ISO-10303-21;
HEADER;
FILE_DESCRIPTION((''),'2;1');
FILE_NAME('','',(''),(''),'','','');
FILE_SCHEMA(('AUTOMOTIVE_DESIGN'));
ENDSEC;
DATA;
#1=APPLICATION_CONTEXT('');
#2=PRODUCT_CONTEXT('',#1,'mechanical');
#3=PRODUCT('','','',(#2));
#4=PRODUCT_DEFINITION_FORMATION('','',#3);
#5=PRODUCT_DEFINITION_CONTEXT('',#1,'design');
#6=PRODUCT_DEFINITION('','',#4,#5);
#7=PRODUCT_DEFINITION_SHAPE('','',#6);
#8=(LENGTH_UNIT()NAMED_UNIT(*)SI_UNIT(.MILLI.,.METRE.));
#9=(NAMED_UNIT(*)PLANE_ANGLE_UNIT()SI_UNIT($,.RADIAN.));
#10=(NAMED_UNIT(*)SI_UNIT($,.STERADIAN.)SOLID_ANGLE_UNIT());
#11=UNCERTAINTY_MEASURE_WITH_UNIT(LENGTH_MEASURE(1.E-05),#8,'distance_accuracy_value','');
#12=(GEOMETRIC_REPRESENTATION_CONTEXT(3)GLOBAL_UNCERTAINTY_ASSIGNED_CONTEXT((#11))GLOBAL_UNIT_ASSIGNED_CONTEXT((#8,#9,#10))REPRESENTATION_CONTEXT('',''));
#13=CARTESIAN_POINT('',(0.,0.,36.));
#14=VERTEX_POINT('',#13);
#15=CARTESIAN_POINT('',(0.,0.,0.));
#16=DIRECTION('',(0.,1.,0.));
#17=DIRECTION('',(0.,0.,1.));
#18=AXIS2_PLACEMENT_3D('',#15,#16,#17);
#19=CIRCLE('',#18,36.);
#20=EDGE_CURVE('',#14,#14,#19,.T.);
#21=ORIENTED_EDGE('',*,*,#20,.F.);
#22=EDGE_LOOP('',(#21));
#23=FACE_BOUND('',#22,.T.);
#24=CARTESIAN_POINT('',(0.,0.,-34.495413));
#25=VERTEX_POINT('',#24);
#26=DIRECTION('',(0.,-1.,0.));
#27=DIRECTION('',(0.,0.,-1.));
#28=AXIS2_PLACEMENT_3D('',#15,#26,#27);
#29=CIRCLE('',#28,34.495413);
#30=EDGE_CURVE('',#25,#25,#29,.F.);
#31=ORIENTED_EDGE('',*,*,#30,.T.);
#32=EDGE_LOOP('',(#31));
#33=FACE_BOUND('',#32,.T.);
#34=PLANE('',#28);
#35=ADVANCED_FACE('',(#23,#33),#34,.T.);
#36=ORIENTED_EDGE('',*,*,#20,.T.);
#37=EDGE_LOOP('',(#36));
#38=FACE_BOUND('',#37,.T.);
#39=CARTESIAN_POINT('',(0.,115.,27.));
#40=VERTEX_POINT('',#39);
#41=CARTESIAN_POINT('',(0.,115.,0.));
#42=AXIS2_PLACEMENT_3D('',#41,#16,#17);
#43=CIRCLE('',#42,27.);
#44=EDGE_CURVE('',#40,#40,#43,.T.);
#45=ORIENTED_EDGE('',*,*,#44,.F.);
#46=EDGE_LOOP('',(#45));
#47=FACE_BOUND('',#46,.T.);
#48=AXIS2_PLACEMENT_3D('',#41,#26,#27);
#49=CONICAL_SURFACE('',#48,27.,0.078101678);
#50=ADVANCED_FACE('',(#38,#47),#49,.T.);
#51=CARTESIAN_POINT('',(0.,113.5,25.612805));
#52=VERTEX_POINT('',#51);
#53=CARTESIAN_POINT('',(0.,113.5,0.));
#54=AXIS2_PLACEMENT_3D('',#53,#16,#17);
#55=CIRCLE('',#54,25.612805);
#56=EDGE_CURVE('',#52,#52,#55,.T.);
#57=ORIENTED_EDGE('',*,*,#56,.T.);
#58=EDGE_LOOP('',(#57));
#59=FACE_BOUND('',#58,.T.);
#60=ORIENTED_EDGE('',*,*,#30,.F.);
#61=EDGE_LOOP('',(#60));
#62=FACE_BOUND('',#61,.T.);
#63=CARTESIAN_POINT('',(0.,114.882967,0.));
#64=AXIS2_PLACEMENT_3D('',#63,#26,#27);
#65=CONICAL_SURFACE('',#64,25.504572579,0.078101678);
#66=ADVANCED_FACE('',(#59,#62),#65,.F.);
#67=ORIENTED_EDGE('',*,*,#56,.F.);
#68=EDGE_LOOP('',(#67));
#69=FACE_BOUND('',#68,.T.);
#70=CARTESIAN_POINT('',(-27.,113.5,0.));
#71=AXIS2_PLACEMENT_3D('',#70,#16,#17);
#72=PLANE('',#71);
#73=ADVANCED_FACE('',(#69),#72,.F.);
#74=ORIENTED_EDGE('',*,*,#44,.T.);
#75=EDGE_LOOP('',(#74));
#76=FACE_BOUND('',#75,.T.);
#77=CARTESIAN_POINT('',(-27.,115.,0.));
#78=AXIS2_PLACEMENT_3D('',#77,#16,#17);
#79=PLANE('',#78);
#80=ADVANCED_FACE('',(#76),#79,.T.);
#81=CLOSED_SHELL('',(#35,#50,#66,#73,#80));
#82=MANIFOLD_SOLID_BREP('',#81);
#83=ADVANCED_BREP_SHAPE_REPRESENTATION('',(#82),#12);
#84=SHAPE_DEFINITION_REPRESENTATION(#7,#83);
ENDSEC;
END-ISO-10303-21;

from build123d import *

# Parameters (mm, degrees)
COQUE1_T = -1.5


with BuildPart() as part:
    # Esquisse1 → Révolution1 (revolve)
    with BuildSketch(Plane.XY, mode=Mode.PRIVATE) as r_volution1_sk:
        Polygon((0, 0), (-36, 0), (-27, 115), (0, 115), align=None)
    revolve(r_volution1_sk.sketch.rotate(Axis((0, 115, 0), (0, -1, 0)), 270), axis=Axis((0, 115, 0), (0, -1, 0)))

    # Coque1
    coque1_openings = [part.faces().sort_by_distance(p)[0] for p in [
        (0, 0, 0),
    ]]
    offset(amount=COQUE1_T, openings=coque1_openings, kind=Kind.INTERSECTION)


solid = part.part
